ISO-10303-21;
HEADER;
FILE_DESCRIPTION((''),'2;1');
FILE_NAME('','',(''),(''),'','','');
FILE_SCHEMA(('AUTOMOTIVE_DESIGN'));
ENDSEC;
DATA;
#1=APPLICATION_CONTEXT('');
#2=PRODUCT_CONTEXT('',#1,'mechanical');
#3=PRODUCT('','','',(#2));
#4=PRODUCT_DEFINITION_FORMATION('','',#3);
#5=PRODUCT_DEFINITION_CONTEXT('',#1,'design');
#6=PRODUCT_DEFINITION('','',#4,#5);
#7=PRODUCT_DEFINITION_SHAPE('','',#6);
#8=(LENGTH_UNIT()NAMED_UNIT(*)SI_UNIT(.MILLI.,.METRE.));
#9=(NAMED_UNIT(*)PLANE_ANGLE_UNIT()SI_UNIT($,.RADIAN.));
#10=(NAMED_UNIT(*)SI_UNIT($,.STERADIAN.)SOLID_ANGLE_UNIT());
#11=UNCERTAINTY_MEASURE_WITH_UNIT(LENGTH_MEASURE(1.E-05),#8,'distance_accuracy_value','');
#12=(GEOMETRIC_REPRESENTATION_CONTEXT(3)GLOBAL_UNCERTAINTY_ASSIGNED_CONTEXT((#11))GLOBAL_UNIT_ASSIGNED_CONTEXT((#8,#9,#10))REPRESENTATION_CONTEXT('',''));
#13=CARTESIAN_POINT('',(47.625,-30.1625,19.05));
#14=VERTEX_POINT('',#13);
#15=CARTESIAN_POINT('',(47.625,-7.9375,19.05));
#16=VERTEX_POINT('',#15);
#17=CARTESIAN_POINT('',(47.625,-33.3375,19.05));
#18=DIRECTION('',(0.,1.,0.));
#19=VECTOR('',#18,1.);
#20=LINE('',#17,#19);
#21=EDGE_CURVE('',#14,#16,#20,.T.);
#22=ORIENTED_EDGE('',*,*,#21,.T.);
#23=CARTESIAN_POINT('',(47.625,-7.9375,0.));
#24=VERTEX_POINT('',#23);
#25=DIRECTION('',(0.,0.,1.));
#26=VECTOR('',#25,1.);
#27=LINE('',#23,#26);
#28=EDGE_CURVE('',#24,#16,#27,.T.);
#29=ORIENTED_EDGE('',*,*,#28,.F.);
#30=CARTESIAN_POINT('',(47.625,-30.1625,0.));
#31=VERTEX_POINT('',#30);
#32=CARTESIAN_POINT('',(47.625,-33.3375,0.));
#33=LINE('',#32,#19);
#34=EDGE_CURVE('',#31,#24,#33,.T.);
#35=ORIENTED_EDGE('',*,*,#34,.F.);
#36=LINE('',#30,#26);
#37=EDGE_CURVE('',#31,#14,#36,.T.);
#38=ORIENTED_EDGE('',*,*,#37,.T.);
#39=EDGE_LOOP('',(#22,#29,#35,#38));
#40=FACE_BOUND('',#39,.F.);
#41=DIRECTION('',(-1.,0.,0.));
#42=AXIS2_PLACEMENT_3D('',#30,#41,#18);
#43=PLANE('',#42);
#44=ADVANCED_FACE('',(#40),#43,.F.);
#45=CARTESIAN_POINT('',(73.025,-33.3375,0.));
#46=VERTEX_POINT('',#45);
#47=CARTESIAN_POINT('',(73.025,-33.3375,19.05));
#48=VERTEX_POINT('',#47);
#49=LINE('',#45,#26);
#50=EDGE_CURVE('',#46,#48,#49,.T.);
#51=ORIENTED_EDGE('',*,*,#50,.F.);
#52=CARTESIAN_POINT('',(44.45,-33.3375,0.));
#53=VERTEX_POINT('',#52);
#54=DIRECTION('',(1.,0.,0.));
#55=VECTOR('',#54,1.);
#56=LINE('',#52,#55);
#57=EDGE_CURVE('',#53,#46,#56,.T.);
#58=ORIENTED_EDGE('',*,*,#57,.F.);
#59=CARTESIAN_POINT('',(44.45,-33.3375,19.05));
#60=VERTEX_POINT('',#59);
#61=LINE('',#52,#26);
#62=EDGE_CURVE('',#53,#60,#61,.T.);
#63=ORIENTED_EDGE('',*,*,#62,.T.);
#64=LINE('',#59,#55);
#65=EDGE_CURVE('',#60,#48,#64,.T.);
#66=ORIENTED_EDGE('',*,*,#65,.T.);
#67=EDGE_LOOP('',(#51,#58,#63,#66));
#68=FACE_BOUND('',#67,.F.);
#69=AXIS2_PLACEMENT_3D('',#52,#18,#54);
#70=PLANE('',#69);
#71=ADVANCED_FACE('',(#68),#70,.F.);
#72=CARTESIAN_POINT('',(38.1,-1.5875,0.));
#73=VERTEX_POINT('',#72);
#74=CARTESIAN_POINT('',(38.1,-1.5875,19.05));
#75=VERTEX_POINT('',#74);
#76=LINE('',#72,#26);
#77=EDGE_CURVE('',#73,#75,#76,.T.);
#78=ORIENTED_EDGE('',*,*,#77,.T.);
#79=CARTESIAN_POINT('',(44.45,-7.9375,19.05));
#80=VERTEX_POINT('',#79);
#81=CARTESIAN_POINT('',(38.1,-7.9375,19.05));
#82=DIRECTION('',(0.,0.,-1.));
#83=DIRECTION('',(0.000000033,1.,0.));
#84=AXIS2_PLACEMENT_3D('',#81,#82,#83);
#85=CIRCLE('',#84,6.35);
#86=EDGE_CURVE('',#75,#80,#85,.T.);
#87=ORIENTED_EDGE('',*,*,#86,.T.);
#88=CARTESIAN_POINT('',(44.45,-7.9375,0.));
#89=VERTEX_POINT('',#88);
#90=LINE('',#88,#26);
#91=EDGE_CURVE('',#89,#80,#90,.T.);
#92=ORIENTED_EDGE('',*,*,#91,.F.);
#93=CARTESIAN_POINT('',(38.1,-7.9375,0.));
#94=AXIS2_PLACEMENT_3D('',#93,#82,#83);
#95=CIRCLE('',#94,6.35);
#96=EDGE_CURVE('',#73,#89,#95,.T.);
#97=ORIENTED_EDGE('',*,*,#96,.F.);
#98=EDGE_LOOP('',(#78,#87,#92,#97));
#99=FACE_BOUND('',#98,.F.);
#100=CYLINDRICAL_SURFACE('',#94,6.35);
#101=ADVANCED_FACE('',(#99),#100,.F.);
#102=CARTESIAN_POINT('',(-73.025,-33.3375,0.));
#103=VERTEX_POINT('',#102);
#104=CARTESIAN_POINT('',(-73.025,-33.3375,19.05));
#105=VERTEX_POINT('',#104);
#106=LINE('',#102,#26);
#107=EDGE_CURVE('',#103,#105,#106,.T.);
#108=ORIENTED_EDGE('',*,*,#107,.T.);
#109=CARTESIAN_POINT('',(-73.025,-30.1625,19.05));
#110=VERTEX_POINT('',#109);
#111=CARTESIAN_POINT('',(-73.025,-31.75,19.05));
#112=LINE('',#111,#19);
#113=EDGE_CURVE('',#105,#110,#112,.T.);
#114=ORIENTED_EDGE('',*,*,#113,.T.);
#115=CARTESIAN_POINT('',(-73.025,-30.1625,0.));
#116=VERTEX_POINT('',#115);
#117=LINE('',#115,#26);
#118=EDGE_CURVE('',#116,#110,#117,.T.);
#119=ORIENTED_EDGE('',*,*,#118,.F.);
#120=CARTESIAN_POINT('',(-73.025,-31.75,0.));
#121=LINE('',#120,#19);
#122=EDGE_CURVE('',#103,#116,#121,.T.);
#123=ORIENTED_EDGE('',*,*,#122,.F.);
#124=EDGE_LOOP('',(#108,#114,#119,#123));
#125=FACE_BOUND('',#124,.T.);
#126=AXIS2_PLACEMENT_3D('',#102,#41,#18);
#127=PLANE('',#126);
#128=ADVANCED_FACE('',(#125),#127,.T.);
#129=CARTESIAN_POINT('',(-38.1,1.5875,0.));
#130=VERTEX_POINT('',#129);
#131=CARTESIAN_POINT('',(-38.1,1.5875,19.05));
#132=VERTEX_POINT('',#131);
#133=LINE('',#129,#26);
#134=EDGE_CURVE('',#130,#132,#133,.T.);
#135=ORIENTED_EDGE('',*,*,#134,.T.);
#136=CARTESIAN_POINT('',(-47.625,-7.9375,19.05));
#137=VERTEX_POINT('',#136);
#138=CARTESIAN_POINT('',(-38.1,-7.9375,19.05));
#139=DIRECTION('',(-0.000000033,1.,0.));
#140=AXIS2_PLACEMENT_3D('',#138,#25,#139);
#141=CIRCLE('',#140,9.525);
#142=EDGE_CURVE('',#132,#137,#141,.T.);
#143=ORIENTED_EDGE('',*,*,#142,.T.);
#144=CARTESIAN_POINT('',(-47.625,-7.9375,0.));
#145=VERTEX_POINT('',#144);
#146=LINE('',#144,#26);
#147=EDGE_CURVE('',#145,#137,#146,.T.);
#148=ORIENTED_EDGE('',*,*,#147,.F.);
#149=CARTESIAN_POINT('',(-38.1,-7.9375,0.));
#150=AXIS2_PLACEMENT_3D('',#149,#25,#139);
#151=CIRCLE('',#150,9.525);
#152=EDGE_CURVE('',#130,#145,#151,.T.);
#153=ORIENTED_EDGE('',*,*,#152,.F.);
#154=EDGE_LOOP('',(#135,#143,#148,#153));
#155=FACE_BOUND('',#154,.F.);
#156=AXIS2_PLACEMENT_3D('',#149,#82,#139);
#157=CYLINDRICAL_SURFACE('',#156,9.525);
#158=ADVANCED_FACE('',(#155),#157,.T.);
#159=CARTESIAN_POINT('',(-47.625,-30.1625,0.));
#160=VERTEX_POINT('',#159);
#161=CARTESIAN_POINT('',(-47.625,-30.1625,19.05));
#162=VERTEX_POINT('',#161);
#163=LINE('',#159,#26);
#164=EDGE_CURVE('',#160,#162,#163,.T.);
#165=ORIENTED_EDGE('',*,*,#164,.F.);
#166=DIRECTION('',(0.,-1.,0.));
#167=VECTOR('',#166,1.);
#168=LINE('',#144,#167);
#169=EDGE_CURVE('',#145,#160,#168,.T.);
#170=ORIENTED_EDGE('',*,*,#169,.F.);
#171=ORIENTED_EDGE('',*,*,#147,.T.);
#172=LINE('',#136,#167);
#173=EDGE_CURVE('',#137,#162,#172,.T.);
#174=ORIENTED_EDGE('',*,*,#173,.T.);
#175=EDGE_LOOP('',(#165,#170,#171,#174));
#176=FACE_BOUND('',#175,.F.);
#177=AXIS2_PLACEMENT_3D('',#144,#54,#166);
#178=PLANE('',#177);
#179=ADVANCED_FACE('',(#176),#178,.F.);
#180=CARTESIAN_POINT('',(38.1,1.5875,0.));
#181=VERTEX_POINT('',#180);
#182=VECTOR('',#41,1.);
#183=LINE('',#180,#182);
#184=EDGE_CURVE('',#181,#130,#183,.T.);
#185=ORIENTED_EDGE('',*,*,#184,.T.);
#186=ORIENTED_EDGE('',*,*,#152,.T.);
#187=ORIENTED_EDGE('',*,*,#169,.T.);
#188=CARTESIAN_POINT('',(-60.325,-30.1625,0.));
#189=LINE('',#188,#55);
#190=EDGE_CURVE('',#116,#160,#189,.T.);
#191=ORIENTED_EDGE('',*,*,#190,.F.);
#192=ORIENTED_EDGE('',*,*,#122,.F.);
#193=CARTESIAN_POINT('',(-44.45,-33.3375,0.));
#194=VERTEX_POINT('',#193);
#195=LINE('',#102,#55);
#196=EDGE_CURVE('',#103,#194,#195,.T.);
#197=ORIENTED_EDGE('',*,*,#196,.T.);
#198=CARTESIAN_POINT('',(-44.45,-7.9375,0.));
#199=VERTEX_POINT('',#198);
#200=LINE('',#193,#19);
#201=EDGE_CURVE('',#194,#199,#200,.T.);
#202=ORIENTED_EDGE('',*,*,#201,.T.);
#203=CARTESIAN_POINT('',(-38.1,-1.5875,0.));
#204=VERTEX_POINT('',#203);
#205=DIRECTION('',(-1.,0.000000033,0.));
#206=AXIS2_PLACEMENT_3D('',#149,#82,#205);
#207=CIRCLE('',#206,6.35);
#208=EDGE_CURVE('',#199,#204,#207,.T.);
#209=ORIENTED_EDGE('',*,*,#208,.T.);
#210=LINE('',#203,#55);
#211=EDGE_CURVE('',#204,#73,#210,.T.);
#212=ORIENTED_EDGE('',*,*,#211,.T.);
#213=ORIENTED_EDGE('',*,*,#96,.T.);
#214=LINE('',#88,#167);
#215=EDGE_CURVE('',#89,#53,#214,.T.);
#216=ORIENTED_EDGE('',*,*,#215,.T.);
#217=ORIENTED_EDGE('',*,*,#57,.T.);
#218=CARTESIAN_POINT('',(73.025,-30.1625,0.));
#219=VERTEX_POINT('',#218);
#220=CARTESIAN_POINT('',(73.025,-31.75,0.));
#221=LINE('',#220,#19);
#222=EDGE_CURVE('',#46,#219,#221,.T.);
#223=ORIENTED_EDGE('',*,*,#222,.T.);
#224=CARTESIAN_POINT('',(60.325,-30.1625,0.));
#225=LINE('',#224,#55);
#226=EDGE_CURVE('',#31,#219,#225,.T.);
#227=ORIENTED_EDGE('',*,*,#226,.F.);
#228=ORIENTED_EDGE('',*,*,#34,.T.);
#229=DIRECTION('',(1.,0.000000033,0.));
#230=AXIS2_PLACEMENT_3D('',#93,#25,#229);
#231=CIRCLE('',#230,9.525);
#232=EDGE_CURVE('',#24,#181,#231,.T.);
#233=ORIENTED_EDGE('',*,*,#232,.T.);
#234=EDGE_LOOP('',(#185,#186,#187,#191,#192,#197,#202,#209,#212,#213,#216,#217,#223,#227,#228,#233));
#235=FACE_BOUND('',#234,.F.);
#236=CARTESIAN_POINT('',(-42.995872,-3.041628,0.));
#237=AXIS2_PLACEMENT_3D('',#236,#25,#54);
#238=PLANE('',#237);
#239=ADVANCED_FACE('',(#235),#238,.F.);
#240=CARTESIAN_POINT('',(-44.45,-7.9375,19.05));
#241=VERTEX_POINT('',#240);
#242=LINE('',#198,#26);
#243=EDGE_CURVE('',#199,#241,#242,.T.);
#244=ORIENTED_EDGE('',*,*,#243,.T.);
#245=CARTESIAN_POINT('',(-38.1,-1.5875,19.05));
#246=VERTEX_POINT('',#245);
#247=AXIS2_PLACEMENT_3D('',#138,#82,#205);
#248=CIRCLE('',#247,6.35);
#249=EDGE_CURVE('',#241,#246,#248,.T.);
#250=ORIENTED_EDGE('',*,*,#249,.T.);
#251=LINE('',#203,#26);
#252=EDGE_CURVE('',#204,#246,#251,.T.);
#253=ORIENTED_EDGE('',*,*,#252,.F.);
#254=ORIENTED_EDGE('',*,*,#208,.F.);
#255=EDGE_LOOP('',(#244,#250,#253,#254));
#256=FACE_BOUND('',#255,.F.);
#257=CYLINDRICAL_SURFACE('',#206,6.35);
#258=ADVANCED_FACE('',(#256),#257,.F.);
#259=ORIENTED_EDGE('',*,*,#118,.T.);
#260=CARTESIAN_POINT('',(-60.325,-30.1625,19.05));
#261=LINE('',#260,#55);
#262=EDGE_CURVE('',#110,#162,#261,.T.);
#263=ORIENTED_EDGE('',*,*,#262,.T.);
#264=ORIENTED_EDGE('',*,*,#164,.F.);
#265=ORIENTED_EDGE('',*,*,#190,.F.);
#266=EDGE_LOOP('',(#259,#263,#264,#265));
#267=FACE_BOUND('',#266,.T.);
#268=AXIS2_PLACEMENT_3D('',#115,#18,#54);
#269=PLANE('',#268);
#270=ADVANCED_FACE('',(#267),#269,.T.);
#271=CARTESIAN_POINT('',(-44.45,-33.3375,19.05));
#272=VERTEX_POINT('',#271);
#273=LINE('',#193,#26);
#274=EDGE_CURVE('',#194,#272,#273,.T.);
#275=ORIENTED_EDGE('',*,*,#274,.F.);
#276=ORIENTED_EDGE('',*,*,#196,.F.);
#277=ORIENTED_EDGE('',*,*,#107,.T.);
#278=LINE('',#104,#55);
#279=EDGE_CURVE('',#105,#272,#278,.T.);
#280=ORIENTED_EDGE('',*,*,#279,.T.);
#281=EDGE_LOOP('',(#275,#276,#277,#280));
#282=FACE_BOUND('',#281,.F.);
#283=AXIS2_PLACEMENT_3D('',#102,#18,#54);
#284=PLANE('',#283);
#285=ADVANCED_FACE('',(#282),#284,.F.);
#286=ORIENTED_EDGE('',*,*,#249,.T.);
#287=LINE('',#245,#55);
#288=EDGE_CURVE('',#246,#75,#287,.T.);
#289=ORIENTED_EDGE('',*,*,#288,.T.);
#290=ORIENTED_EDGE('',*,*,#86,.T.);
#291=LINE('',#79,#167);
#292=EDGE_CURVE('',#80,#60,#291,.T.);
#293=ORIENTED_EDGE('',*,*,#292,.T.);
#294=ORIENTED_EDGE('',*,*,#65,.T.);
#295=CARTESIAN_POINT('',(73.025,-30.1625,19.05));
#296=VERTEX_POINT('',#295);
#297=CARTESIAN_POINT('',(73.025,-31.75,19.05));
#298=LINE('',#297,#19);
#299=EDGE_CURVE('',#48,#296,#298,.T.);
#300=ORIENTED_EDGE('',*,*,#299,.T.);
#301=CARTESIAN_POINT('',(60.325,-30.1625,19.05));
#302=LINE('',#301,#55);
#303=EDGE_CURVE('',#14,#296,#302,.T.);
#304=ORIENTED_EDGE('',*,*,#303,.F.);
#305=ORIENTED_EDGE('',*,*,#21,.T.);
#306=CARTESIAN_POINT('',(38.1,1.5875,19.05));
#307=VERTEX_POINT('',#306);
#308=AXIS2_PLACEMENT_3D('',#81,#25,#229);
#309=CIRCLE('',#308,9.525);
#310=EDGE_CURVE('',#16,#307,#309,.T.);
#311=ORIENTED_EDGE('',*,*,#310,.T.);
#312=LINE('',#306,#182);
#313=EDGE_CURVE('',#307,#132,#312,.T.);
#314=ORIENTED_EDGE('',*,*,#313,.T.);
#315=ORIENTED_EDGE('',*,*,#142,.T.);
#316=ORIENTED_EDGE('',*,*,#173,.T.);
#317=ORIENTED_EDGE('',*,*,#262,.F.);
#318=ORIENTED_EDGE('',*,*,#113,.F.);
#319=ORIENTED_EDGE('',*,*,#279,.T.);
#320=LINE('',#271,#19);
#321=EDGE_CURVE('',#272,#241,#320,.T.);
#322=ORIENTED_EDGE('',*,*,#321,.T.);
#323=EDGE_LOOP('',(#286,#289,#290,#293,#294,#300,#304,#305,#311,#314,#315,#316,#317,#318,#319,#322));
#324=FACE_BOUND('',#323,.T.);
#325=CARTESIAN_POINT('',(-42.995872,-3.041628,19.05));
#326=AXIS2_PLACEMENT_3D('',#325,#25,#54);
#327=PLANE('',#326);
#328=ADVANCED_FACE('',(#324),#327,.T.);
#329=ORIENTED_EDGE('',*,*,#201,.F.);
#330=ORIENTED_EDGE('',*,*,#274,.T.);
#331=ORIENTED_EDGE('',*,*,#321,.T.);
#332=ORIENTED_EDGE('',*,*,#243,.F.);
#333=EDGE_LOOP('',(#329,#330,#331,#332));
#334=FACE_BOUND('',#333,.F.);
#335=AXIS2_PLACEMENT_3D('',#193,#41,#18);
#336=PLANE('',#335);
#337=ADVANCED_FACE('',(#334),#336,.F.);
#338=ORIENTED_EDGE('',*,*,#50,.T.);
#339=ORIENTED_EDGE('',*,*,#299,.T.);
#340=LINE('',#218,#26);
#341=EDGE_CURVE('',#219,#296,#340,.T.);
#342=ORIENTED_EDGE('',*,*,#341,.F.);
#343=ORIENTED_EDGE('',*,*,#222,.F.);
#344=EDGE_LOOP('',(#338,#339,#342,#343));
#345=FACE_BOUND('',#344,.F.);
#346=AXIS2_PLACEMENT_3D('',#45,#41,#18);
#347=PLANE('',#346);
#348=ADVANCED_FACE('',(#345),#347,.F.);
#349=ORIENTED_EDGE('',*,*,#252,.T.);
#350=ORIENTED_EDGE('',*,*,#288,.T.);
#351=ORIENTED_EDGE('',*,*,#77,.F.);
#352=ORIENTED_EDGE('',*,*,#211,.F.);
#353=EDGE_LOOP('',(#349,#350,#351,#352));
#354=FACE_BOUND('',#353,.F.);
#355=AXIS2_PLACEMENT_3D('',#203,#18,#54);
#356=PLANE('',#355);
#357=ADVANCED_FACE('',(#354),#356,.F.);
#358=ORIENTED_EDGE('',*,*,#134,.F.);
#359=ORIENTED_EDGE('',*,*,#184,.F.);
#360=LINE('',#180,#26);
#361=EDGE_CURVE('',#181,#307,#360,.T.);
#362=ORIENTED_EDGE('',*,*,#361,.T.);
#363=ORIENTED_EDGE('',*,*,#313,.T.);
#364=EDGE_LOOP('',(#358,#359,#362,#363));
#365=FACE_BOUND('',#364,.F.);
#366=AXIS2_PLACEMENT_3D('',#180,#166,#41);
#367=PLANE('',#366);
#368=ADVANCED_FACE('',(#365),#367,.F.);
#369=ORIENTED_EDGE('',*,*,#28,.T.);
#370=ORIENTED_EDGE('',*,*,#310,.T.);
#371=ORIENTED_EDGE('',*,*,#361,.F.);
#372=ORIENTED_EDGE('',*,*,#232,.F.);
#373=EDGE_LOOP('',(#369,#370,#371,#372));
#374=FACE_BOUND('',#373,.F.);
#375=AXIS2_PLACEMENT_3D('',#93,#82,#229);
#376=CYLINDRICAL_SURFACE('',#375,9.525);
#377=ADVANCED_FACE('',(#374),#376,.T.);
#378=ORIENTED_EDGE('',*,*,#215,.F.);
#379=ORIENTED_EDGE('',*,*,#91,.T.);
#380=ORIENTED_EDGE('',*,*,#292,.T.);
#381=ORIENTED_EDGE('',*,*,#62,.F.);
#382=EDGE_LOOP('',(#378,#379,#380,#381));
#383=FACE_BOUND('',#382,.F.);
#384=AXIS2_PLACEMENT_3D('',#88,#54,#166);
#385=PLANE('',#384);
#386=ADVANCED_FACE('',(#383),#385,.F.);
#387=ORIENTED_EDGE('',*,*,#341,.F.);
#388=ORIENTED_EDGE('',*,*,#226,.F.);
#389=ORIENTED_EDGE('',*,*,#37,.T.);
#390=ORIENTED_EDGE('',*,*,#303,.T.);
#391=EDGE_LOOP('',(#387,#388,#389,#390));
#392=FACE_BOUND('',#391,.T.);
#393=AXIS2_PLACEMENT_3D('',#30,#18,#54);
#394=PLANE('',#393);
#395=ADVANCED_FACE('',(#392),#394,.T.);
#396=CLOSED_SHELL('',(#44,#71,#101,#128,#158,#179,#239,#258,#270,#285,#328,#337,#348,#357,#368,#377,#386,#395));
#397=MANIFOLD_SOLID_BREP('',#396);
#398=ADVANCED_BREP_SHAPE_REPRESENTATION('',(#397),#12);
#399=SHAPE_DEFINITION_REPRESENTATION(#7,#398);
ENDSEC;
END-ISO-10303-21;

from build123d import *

# Parameters (mm, degrees)
F0_W     = 25.4
F0_H     = 3.175
F1_DEPTH = 19.05


with BuildPart() as f1:
    # F0 (on Top) → F1 (new body)
    with BuildSketch(Plane.XY):
        with BuildLine():
            Line((-38.1, -1.5875), (-38.1, 1.5875))
            ThreePointArc((-38.1, 1.5875), (-44.835192, -1.202308), (-47.625, -7.9375))
            Line((-47.625, -7.9375), (-44.45, -7.9375))
            ThreePointArc((-44.45, -7.9375), (-42.590128, -3.447372), (-38.1, -1.5875))
        make_face()
        with BuildLine():
            Line((-44.45, -7.9375), (-47.625, -7.9375))
            ThreePointArc((-47.625, -7.9375), (-46.795096, -11.826065), (-44.45, -15.037016))
            Line((-44.45, -15.037016), (-44.45, -7.9375))
        make_face()
        with BuildLine():
            ThreePointArc((-44.45, -15.037016), (-46.795096, -11.826065), (-47.625, -7.9375))
            Line((-47.625, -7.9375), (-47.625, -30.1625))
            Line((-47.625, -30.1625), (-47.625, -33.3375))
            Line((-47.625, -33.3375), (-44.45, -33.3375))
            Line((-44.45, -33.3375), (-44.45, -15.037016))
        make_face()
        with Locations((-60.325, -31.75)):
            Rectangle(F0_W, F0_H)
        with BuildLine():
            ThreePointArc((-31.000484, -1.5875), (-34.211435, 0.757596), (-38.1, 1.5875))
            Line((-38.1, 1.5875), (-38.1, -1.5875))
            Line((-38.1, -1.5875), (-31.000484, -1.5875))
        make_face()
        with BuildLine():
            Line((0, 1.5875), (-38.1, 1.5875))
            ThreePointArc((-38.1, 1.5875), (-34.211435, 0.757596), (-31.000484, -1.5875))
            Line((-31.000484, -1.5875), (0, -1.5875))
            Line((0, -1.5875), (0, 1.5875))
        make_face()
        with BuildLine():
            Line((38.1, 1.5875), (0, 1.5875))
            Line((0, 1.5875), (0, -1.5875))
            Line((0, -1.5875), (31.000484, -1.5875))
            ThreePointArc((31.000484, -1.5875), (34.211435, 0.757596), (38.1, 1.5875))
        make_face()
        with BuildLine():
            Line((38.1, -1.5875), (38.1, 1.5875))
            ThreePointArc((38.1, 1.5875), (34.211435, 0.757596), (31.000484, -1.5875))
            Line((31.000484, -1.5875), (38.1, -1.5875))
        make_face()
        with BuildLine():
            ThreePointArc((47.625, -7.9375), (44.835192, -1.202308), (38.1, 1.5875))
            Line((38.1, 1.5875), (38.1, -1.5875))
            ThreePointArc((38.1, -1.5875), (42.590128, -3.447372), (44.45, -7.9375))
            Line((44.45, -7.9375), (47.625, -7.9375))
        make_face()
        with BuildLine():
            ThreePointArc((44.45, -15.037016), (46.795096, -11.826065), (47.625, -7.9375))
            Line((47.625, -7.9375), (44.45, -7.9375))
            Line((44.45, -7.9375), (44.45, -15.037016))
        make_face()
        with BuildLine():
            Line((47.625, -30.1625), (47.625, -7.9375))
            ThreePointArc((47.625, -7.9375), (46.795096, -11.826065), (44.45, -15.037016))
            Line((44.45, -15.037016), (44.45, -33.3375))
            Line((44.45, -33.3375), (47.625, -33.3375))
            Line((47.625, -33.3375), (47.625, -30.1625))
        make_face()
        with Locations((60.325, -31.75)):
            Rectangle(F0_W, F0_H)
    extrude(amount=F1_DEPTH)


solid = f1.part
